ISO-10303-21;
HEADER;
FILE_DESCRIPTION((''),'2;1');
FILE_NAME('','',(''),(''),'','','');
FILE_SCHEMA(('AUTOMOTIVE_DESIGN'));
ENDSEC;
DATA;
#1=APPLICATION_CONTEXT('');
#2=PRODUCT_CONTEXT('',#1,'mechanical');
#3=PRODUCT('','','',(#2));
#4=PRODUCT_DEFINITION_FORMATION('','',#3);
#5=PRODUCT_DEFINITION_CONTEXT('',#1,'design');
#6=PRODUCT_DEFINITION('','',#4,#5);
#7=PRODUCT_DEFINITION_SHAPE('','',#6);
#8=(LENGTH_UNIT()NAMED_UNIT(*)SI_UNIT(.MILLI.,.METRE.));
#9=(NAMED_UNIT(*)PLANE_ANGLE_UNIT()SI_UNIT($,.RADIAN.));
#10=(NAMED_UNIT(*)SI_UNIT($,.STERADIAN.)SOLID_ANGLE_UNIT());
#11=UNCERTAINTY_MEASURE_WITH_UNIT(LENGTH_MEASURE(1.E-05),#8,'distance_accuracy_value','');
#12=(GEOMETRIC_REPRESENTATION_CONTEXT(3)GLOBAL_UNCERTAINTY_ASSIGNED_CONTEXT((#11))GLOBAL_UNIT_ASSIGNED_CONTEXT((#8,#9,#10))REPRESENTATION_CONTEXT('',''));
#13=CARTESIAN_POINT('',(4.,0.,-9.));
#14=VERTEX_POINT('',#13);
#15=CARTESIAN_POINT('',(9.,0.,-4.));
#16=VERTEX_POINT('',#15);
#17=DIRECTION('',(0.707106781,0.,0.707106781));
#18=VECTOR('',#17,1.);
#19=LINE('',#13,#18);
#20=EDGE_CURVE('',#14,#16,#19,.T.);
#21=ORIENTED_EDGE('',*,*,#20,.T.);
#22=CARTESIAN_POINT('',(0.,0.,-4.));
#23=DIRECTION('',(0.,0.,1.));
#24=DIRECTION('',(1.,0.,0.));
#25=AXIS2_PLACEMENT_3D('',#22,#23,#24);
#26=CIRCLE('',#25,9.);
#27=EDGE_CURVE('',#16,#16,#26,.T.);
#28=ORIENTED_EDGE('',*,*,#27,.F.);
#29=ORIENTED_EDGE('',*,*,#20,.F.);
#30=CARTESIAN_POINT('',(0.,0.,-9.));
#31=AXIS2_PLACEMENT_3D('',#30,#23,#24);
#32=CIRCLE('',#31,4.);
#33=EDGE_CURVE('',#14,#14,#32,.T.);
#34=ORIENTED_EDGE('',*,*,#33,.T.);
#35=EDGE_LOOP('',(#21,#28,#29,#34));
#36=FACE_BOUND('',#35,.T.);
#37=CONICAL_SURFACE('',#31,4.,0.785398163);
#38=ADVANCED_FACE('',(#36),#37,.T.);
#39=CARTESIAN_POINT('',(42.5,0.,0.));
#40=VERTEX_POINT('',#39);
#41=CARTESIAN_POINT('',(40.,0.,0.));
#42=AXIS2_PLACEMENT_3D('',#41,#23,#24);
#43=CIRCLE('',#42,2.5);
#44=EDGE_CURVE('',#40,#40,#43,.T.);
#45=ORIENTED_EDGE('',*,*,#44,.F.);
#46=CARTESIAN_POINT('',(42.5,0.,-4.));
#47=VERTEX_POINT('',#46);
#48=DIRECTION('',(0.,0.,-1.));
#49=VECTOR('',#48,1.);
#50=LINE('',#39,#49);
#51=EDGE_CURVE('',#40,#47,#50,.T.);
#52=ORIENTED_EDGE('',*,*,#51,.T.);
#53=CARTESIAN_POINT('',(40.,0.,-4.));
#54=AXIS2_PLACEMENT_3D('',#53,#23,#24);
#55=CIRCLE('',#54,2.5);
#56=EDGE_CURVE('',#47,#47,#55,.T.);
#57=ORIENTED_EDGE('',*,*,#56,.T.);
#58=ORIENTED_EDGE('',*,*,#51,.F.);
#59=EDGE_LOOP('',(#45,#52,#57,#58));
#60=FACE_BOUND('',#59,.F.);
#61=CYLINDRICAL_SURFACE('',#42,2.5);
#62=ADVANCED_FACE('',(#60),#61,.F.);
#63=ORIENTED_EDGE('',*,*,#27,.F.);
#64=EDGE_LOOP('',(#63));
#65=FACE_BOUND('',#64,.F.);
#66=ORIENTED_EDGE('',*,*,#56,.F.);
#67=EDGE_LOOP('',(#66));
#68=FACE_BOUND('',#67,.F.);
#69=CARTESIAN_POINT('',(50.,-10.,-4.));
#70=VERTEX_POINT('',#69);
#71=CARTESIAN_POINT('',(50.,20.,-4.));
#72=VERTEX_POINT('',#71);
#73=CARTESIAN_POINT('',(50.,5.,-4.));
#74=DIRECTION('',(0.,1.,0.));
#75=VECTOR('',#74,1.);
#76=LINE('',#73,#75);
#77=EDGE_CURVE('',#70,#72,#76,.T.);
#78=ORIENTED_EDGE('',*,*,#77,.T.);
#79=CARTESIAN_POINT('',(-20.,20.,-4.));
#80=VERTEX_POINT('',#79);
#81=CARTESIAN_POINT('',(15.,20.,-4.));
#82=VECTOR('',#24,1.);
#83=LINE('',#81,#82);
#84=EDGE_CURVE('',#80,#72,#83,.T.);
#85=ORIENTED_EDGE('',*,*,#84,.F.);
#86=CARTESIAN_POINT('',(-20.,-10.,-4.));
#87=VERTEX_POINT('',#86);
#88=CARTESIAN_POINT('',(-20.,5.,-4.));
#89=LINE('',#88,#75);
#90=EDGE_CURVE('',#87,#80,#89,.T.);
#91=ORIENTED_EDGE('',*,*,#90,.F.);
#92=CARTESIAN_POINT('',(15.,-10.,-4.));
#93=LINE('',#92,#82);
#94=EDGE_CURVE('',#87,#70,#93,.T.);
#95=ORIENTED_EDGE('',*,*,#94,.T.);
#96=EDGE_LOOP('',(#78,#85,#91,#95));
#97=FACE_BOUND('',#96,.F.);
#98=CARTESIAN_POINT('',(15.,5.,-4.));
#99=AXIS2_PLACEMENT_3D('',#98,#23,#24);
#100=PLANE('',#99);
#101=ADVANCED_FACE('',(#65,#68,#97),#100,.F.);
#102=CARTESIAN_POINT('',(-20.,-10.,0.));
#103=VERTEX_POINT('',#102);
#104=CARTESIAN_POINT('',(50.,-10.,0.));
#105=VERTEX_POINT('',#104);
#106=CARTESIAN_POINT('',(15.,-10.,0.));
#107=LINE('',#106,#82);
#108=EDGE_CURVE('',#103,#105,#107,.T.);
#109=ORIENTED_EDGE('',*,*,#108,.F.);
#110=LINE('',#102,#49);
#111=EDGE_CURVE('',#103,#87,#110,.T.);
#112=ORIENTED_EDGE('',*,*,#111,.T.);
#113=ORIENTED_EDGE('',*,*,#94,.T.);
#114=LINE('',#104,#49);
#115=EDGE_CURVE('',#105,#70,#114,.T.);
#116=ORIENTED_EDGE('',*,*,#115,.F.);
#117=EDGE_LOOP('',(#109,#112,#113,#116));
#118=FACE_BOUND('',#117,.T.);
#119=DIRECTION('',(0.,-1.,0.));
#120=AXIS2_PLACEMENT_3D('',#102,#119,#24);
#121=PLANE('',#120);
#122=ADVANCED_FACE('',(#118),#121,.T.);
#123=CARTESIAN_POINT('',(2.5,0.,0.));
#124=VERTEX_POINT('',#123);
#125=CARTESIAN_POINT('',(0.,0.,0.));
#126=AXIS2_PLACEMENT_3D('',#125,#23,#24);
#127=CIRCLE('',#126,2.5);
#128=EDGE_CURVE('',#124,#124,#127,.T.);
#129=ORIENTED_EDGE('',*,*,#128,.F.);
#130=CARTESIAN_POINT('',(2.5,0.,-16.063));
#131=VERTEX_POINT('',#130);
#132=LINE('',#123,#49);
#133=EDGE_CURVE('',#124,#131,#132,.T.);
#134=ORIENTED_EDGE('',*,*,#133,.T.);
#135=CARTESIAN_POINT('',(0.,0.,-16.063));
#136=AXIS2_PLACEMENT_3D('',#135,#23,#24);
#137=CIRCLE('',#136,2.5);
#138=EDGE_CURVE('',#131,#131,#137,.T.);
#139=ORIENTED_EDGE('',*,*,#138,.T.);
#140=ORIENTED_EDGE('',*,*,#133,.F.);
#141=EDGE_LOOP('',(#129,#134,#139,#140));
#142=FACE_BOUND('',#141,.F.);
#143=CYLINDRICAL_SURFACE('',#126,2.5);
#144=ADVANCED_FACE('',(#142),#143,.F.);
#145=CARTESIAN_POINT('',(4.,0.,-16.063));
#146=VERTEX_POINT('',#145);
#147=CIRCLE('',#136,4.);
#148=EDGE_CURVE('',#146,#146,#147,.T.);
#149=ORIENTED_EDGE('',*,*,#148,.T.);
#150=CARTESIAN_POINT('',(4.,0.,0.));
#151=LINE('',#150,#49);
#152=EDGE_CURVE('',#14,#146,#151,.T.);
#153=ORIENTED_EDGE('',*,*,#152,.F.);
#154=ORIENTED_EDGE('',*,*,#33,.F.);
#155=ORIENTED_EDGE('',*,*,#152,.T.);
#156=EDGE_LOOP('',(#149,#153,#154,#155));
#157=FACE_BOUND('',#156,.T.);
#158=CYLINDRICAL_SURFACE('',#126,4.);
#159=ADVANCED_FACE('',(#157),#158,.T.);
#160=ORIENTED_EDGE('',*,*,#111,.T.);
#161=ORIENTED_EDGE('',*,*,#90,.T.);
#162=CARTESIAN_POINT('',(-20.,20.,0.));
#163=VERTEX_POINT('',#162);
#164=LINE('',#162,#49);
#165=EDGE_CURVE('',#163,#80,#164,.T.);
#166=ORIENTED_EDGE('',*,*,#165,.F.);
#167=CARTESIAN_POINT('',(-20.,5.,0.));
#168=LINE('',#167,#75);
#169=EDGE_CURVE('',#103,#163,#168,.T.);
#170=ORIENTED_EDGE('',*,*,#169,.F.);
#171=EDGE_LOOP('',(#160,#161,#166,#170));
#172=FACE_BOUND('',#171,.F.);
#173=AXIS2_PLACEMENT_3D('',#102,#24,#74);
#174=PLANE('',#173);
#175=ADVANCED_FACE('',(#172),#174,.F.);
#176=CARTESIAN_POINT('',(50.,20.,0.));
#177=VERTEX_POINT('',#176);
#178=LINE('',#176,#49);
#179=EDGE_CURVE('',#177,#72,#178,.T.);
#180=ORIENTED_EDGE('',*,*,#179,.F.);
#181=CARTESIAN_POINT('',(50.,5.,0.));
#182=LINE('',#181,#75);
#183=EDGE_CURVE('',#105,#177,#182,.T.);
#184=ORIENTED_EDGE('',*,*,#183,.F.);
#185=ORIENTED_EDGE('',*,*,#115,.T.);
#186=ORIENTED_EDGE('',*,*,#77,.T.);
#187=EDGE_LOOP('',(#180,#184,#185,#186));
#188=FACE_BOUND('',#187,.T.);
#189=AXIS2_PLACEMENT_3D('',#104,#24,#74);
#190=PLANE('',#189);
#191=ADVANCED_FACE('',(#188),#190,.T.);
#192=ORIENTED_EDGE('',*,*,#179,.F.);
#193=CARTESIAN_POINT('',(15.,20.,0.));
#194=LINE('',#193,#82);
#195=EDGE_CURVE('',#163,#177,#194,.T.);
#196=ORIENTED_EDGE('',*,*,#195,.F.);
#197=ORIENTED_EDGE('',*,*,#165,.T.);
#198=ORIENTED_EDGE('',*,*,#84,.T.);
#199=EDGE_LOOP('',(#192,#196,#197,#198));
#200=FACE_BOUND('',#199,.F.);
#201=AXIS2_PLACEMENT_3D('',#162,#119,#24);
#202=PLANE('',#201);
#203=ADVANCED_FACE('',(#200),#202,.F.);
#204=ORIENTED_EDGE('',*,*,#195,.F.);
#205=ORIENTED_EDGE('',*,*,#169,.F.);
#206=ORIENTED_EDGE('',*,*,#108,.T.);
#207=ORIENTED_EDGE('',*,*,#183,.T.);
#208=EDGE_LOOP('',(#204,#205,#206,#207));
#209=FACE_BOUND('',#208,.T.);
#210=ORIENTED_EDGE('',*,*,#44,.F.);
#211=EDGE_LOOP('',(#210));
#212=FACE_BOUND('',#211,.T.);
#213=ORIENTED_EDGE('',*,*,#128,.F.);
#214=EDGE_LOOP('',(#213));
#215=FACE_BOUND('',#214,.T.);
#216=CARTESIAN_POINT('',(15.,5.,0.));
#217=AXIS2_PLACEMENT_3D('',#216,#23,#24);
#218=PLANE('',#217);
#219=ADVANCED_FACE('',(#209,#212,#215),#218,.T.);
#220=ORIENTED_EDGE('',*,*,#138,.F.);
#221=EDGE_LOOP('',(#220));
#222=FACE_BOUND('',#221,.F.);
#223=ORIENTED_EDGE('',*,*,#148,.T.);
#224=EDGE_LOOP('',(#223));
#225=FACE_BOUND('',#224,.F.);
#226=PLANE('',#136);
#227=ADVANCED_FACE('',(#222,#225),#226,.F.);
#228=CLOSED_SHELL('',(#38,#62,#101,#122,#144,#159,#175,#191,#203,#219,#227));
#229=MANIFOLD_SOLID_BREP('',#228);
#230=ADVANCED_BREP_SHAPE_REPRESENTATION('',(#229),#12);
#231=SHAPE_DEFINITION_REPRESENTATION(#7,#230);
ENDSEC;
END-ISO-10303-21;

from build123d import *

# Parameters (mm, degrees)
SKETCH1_W           = 70
SKETCH1_H           = 30
SKETCH1_R           = 4
SKETCH1_R_2         = 2.5
BOSS_EXTRUDE1_DEPTH = 4
SKETCH1_3_R         = 4
SKETCH1_3_R_2       = 2.5
BOSS_EXTRUDE2_DEPTH = 16.063
CHAMFER1_SIZE       = 5


with BuildPart() as part:
    # Sketch1 → Boss-Extrude1 (new body)
    with BuildSketch(Plane.XY):
        with Locations((15, 5)):
            Rectangle(SKETCH1_W, SKETCH1_H)
        with Locations((40, 0)):
            Circle(SKETCH1_R, mode=Mode.SUBTRACT)
        Circle(SKETCH1_R, mode=Mode.SUBTRACT)
        with Locations((40, 0)):
            Circle(SKETCH1_R)
        with Locations((40, 0)):
            Circle(SKETCH1_R_2, mode=Mode.SUBTRACT)
    extrude(amount=-BOSS_EXTRUDE1_DEPTH)

    # Sketch1_3 → Boss-Extrude2 (add)
    with BuildSketch(Plane.XY):
        Circle(SKETCH1_3_R)
        Circle(SKETCH1_3_R_2, mode=Mode.SUBTRACT)
    extrude(amount=-BOSS_EXTRUDE2_DEPTH)

    # Chamfer1
    chamfer1_edges = [part.edges().sort_by_distance(p)[0] for p in [
        (-4, 0, -4),
    ]]
    chamfer(chamfer1_edges, length=CHAMFER1_SIZE)


solid = part.part
